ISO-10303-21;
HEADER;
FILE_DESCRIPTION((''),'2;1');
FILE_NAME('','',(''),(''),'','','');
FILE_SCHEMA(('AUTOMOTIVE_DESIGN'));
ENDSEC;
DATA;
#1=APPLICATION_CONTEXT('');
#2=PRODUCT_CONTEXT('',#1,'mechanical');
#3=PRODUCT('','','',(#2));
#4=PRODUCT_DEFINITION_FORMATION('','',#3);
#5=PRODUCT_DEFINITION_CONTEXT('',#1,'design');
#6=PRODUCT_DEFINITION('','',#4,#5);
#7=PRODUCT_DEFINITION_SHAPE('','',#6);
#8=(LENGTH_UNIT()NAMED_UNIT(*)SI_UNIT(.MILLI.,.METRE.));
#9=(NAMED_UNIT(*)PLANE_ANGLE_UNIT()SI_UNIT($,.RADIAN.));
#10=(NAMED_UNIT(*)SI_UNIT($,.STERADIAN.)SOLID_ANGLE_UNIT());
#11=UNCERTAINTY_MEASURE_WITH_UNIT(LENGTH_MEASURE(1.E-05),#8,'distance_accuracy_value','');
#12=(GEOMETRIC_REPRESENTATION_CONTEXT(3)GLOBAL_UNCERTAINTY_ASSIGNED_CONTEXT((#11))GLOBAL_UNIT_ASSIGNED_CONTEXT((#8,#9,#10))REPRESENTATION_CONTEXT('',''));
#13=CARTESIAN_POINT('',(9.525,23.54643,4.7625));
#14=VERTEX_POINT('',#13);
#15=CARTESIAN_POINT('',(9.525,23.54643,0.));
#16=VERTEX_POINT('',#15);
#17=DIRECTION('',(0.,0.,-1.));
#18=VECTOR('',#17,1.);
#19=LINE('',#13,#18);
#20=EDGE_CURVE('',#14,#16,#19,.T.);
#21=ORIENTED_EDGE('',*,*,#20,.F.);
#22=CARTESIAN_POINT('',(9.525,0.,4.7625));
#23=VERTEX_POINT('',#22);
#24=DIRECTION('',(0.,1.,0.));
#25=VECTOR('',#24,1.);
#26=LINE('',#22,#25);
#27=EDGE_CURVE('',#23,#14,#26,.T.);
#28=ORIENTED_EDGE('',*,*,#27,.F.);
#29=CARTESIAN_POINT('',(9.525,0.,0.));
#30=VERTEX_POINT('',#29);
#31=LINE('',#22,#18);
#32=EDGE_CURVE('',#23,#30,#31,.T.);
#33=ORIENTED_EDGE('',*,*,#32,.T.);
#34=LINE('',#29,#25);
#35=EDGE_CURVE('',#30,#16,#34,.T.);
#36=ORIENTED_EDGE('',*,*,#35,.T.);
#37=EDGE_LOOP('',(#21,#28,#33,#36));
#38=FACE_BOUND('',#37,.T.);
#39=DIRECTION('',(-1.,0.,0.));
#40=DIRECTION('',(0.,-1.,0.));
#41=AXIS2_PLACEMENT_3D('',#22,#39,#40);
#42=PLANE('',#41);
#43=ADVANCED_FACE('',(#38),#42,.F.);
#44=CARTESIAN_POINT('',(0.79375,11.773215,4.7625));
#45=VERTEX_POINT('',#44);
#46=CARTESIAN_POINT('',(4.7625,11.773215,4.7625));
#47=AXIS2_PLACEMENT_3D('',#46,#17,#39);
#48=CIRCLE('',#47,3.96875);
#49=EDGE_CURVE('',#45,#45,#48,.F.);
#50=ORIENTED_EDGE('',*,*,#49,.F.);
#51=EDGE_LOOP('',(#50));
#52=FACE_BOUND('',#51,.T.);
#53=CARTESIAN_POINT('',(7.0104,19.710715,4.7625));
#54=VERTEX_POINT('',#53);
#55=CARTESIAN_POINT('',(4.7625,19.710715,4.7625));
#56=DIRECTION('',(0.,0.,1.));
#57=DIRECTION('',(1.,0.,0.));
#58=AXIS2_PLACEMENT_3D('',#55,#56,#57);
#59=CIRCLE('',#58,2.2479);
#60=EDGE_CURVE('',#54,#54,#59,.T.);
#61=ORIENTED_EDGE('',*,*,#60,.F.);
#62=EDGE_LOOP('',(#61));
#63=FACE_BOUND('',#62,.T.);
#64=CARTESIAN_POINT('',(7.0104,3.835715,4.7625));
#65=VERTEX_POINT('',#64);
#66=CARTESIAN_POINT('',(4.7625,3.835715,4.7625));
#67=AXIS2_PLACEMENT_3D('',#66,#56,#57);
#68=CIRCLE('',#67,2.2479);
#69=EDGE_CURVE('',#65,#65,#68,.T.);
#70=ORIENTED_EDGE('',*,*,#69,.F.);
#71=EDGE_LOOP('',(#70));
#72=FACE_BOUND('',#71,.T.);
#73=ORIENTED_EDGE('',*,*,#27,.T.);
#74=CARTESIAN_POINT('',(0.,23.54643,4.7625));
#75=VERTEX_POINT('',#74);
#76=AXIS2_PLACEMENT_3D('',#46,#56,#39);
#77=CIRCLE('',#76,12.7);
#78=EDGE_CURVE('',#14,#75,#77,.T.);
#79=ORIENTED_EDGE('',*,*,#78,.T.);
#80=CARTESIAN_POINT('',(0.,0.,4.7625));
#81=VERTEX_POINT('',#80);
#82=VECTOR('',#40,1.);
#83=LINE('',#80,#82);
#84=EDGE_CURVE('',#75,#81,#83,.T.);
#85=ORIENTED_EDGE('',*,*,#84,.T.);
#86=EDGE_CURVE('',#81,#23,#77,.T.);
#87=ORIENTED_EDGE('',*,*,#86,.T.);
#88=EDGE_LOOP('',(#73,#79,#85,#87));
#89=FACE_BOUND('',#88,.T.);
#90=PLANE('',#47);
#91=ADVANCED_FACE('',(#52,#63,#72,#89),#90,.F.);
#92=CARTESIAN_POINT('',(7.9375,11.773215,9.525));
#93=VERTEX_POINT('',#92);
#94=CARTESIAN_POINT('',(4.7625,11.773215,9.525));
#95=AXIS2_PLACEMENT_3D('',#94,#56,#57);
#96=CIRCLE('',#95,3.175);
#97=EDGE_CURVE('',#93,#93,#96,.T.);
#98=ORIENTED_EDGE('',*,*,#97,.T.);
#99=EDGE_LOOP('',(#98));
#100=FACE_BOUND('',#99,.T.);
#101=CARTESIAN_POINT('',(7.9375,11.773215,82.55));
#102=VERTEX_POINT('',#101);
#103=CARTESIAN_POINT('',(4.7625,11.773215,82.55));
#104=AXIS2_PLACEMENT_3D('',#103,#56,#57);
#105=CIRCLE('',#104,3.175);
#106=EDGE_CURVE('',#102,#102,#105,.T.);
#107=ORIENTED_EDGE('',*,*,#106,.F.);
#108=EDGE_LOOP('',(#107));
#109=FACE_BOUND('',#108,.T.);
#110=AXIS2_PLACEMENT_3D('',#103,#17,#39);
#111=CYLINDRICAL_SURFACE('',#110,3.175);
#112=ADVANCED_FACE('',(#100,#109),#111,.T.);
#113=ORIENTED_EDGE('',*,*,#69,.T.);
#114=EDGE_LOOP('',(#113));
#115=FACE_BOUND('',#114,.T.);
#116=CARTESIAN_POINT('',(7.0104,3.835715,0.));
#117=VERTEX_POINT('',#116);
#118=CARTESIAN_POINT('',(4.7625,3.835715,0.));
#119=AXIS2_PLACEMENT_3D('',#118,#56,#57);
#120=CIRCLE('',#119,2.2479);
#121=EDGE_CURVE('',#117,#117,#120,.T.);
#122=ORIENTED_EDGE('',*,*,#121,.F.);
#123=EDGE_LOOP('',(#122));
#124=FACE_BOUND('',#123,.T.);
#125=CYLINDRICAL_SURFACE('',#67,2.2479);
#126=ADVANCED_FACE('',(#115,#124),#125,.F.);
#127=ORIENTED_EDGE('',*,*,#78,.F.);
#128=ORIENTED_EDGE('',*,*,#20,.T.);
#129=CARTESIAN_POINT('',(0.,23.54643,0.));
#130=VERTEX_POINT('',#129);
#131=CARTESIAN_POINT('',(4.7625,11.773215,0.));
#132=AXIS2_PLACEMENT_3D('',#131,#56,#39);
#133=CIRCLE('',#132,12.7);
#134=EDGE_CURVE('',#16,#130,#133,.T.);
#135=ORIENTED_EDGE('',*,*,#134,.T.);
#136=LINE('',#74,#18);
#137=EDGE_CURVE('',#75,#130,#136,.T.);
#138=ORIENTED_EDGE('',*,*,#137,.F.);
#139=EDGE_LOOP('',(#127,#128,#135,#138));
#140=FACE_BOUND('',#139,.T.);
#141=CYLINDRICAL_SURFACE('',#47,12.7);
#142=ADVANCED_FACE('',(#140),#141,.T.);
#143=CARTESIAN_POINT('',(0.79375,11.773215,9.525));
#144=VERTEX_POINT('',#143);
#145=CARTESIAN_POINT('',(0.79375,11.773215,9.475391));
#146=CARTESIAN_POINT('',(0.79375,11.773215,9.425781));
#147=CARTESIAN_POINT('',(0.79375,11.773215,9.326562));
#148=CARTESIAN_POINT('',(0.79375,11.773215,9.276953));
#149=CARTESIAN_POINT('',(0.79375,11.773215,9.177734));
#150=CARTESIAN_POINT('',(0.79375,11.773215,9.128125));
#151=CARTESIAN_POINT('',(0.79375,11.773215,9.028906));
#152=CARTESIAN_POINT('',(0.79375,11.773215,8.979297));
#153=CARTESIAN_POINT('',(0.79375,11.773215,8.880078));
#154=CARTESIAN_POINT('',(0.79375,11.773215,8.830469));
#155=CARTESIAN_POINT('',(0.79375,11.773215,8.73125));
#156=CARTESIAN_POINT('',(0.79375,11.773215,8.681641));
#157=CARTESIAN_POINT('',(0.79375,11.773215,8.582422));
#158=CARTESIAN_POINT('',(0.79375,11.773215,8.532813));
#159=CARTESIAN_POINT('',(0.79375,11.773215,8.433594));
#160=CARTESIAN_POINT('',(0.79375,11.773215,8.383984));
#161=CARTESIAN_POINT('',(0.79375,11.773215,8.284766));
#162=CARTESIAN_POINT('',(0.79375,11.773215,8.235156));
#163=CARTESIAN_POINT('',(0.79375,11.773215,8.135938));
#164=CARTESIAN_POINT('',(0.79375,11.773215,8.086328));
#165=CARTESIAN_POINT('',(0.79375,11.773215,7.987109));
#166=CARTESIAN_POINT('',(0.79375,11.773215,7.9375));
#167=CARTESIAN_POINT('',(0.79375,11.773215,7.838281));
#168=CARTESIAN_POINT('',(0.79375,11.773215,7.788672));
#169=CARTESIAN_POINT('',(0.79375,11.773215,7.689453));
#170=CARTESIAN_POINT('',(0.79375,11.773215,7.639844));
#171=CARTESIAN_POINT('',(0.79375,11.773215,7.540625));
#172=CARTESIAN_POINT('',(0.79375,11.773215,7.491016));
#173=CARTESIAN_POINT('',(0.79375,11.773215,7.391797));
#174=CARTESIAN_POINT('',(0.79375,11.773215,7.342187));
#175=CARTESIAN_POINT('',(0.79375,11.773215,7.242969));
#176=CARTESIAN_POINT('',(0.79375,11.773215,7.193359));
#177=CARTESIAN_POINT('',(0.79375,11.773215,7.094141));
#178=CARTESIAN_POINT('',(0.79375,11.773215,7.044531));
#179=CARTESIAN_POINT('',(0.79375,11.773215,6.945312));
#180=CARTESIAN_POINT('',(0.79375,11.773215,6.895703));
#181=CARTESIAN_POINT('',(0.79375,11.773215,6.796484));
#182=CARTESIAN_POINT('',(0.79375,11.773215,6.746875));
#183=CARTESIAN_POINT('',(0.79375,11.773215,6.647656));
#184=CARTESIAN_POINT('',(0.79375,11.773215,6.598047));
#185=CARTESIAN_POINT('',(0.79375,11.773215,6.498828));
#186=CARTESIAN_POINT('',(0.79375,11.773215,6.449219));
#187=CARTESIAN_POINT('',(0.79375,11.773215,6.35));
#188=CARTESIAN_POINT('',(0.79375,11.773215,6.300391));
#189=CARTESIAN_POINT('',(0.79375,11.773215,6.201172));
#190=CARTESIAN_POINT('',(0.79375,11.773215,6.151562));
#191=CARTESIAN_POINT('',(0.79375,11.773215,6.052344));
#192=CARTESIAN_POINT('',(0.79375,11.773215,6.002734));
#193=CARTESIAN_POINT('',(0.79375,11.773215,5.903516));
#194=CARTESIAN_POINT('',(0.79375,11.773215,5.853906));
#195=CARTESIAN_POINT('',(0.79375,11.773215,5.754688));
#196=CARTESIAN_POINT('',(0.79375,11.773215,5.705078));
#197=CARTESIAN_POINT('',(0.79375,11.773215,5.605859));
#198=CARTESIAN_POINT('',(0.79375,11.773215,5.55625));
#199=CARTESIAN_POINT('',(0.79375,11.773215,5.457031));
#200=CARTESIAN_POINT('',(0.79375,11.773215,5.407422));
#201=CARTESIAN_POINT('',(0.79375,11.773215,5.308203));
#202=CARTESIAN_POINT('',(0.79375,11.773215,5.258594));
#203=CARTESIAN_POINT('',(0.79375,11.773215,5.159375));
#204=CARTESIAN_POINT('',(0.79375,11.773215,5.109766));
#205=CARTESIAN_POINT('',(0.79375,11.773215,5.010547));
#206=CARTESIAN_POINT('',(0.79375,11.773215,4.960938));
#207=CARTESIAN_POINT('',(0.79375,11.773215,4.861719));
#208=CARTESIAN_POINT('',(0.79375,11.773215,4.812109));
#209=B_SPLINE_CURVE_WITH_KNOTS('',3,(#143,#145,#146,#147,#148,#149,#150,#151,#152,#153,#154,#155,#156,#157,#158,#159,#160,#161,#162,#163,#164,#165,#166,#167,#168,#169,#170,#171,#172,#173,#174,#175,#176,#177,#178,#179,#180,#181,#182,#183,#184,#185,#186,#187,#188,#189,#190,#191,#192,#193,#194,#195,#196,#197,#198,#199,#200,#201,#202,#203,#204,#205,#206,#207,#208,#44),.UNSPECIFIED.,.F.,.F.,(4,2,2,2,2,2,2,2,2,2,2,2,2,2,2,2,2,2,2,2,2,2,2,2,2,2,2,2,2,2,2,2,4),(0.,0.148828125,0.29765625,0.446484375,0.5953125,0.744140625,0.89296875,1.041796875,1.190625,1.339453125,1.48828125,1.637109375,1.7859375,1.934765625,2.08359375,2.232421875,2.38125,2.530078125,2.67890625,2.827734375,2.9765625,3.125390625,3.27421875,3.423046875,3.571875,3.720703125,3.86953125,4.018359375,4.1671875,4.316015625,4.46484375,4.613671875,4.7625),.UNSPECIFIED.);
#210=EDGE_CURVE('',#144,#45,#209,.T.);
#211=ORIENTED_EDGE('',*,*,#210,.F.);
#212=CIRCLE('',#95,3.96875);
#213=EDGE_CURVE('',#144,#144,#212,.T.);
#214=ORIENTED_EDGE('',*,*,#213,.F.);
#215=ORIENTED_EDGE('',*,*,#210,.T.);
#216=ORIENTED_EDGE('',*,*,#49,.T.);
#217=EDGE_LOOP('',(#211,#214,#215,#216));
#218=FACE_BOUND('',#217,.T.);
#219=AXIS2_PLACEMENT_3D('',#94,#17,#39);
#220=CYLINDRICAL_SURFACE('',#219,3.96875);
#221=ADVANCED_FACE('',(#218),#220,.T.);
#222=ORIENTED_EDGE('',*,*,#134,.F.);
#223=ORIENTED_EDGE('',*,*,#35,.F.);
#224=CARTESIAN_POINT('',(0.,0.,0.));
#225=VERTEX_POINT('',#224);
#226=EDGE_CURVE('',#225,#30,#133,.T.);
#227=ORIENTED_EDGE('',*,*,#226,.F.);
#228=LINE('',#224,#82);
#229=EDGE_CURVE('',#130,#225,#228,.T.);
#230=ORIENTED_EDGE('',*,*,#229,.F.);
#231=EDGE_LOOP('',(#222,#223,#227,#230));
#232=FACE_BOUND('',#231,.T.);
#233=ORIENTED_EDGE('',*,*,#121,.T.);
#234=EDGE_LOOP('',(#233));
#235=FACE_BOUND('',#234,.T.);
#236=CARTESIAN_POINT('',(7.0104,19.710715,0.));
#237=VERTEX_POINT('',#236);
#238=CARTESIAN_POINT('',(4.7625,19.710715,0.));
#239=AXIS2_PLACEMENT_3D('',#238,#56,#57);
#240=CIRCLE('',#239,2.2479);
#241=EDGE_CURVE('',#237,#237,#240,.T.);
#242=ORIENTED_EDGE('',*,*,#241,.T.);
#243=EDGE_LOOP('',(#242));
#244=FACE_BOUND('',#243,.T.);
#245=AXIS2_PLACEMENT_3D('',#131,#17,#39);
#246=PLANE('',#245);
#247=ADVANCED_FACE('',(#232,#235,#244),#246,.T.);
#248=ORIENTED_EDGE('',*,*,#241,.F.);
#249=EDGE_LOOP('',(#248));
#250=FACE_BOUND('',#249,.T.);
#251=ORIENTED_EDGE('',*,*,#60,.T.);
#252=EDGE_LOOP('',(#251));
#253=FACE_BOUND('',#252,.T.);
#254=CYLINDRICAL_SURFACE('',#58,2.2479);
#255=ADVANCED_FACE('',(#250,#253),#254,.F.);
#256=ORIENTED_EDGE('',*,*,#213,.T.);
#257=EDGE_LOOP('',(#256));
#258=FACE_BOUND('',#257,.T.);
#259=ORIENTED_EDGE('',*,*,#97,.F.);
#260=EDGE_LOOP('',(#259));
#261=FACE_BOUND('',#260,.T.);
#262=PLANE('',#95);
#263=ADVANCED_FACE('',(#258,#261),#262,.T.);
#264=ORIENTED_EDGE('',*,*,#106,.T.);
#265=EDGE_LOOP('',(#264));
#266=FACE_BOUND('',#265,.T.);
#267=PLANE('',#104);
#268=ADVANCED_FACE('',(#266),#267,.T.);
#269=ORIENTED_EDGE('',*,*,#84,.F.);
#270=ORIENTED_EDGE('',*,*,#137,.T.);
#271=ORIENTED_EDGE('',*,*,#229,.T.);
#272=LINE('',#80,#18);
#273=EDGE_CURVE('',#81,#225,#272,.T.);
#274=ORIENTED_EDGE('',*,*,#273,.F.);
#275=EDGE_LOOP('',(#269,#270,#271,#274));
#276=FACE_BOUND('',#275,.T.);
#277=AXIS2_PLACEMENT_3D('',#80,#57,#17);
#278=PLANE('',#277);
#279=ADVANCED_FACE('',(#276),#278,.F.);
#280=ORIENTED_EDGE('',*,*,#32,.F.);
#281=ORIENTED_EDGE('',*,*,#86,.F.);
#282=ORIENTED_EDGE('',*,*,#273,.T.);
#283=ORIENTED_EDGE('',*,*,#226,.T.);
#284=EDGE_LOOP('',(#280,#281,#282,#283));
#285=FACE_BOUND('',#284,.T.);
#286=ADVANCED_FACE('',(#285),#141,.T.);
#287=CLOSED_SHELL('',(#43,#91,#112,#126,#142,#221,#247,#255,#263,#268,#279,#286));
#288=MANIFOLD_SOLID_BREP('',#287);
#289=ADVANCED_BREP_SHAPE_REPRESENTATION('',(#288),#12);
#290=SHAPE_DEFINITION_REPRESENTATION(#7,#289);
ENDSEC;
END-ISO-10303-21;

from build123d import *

# Parameters (mm, degrees)
BOSS_EXTRUDE1_DEPTH         = 4.7625
SKETCH2_R                   = 3.96875
BOSS_EXTRUDE2_DEPTH         = 4.7625
SKETCH3_R                   = 3.175
BOSS_EXTRUDE3_DEPTH         = 73.025
F_16_0_177_DIAMETER_HOLE1_D = 4.4958


with BuildPart() as part:
    # Sketch1 → Boss-Extrude1 (new body)
    with BuildSketch(Plane.XY):
        with BuildLine():
            Line((0, 0), (0, 23.546430197))
            ThreePointArc((0, 23.546430197), (4.7625, 24.473215098), (9.525, 23.546430197))
            Line((9.525, 23.546430197), (9.525, 0))
            ThreePointArc((9.525, 0), (4.7625, -0.926784902), (0, 0))
        make_face()
    extrude(amount=BOSS_EXTRUDE1_DEPTH)

    # Sketch2 → Boss-Extrude2 (add)
    with BuildSketch(Plane.XY.offset(4.7625)):
        with Locations(Location((4.7625, 11.773215098, 0), (0, 0, 180))):
            Circle(SKETCH2_R)
    extrude(amount=BOSS_EXTRUDE2_DEPTH)

    # Sketch3 → Boss-Extrude3 (add)
    with BuildSketch(Plane.XY.offset(9.525)):
        with Locations((4.7625, 11.773215098)):
            Circle(SKETCH3_R)
    extrude(amount=BOSS_EXTRUDE3_DEPTH)

    # #16 (0.177) Diameter Hole1 (through all)
    with Locations(Plane.XY.offset(4.7625)):
        with Locations((4.7625, 3.835715098), (4.7625, 19.710715098)):
            Hole(F_16_0_177_DIAMETER_HOLE1_D / 2)


solid = part.part
